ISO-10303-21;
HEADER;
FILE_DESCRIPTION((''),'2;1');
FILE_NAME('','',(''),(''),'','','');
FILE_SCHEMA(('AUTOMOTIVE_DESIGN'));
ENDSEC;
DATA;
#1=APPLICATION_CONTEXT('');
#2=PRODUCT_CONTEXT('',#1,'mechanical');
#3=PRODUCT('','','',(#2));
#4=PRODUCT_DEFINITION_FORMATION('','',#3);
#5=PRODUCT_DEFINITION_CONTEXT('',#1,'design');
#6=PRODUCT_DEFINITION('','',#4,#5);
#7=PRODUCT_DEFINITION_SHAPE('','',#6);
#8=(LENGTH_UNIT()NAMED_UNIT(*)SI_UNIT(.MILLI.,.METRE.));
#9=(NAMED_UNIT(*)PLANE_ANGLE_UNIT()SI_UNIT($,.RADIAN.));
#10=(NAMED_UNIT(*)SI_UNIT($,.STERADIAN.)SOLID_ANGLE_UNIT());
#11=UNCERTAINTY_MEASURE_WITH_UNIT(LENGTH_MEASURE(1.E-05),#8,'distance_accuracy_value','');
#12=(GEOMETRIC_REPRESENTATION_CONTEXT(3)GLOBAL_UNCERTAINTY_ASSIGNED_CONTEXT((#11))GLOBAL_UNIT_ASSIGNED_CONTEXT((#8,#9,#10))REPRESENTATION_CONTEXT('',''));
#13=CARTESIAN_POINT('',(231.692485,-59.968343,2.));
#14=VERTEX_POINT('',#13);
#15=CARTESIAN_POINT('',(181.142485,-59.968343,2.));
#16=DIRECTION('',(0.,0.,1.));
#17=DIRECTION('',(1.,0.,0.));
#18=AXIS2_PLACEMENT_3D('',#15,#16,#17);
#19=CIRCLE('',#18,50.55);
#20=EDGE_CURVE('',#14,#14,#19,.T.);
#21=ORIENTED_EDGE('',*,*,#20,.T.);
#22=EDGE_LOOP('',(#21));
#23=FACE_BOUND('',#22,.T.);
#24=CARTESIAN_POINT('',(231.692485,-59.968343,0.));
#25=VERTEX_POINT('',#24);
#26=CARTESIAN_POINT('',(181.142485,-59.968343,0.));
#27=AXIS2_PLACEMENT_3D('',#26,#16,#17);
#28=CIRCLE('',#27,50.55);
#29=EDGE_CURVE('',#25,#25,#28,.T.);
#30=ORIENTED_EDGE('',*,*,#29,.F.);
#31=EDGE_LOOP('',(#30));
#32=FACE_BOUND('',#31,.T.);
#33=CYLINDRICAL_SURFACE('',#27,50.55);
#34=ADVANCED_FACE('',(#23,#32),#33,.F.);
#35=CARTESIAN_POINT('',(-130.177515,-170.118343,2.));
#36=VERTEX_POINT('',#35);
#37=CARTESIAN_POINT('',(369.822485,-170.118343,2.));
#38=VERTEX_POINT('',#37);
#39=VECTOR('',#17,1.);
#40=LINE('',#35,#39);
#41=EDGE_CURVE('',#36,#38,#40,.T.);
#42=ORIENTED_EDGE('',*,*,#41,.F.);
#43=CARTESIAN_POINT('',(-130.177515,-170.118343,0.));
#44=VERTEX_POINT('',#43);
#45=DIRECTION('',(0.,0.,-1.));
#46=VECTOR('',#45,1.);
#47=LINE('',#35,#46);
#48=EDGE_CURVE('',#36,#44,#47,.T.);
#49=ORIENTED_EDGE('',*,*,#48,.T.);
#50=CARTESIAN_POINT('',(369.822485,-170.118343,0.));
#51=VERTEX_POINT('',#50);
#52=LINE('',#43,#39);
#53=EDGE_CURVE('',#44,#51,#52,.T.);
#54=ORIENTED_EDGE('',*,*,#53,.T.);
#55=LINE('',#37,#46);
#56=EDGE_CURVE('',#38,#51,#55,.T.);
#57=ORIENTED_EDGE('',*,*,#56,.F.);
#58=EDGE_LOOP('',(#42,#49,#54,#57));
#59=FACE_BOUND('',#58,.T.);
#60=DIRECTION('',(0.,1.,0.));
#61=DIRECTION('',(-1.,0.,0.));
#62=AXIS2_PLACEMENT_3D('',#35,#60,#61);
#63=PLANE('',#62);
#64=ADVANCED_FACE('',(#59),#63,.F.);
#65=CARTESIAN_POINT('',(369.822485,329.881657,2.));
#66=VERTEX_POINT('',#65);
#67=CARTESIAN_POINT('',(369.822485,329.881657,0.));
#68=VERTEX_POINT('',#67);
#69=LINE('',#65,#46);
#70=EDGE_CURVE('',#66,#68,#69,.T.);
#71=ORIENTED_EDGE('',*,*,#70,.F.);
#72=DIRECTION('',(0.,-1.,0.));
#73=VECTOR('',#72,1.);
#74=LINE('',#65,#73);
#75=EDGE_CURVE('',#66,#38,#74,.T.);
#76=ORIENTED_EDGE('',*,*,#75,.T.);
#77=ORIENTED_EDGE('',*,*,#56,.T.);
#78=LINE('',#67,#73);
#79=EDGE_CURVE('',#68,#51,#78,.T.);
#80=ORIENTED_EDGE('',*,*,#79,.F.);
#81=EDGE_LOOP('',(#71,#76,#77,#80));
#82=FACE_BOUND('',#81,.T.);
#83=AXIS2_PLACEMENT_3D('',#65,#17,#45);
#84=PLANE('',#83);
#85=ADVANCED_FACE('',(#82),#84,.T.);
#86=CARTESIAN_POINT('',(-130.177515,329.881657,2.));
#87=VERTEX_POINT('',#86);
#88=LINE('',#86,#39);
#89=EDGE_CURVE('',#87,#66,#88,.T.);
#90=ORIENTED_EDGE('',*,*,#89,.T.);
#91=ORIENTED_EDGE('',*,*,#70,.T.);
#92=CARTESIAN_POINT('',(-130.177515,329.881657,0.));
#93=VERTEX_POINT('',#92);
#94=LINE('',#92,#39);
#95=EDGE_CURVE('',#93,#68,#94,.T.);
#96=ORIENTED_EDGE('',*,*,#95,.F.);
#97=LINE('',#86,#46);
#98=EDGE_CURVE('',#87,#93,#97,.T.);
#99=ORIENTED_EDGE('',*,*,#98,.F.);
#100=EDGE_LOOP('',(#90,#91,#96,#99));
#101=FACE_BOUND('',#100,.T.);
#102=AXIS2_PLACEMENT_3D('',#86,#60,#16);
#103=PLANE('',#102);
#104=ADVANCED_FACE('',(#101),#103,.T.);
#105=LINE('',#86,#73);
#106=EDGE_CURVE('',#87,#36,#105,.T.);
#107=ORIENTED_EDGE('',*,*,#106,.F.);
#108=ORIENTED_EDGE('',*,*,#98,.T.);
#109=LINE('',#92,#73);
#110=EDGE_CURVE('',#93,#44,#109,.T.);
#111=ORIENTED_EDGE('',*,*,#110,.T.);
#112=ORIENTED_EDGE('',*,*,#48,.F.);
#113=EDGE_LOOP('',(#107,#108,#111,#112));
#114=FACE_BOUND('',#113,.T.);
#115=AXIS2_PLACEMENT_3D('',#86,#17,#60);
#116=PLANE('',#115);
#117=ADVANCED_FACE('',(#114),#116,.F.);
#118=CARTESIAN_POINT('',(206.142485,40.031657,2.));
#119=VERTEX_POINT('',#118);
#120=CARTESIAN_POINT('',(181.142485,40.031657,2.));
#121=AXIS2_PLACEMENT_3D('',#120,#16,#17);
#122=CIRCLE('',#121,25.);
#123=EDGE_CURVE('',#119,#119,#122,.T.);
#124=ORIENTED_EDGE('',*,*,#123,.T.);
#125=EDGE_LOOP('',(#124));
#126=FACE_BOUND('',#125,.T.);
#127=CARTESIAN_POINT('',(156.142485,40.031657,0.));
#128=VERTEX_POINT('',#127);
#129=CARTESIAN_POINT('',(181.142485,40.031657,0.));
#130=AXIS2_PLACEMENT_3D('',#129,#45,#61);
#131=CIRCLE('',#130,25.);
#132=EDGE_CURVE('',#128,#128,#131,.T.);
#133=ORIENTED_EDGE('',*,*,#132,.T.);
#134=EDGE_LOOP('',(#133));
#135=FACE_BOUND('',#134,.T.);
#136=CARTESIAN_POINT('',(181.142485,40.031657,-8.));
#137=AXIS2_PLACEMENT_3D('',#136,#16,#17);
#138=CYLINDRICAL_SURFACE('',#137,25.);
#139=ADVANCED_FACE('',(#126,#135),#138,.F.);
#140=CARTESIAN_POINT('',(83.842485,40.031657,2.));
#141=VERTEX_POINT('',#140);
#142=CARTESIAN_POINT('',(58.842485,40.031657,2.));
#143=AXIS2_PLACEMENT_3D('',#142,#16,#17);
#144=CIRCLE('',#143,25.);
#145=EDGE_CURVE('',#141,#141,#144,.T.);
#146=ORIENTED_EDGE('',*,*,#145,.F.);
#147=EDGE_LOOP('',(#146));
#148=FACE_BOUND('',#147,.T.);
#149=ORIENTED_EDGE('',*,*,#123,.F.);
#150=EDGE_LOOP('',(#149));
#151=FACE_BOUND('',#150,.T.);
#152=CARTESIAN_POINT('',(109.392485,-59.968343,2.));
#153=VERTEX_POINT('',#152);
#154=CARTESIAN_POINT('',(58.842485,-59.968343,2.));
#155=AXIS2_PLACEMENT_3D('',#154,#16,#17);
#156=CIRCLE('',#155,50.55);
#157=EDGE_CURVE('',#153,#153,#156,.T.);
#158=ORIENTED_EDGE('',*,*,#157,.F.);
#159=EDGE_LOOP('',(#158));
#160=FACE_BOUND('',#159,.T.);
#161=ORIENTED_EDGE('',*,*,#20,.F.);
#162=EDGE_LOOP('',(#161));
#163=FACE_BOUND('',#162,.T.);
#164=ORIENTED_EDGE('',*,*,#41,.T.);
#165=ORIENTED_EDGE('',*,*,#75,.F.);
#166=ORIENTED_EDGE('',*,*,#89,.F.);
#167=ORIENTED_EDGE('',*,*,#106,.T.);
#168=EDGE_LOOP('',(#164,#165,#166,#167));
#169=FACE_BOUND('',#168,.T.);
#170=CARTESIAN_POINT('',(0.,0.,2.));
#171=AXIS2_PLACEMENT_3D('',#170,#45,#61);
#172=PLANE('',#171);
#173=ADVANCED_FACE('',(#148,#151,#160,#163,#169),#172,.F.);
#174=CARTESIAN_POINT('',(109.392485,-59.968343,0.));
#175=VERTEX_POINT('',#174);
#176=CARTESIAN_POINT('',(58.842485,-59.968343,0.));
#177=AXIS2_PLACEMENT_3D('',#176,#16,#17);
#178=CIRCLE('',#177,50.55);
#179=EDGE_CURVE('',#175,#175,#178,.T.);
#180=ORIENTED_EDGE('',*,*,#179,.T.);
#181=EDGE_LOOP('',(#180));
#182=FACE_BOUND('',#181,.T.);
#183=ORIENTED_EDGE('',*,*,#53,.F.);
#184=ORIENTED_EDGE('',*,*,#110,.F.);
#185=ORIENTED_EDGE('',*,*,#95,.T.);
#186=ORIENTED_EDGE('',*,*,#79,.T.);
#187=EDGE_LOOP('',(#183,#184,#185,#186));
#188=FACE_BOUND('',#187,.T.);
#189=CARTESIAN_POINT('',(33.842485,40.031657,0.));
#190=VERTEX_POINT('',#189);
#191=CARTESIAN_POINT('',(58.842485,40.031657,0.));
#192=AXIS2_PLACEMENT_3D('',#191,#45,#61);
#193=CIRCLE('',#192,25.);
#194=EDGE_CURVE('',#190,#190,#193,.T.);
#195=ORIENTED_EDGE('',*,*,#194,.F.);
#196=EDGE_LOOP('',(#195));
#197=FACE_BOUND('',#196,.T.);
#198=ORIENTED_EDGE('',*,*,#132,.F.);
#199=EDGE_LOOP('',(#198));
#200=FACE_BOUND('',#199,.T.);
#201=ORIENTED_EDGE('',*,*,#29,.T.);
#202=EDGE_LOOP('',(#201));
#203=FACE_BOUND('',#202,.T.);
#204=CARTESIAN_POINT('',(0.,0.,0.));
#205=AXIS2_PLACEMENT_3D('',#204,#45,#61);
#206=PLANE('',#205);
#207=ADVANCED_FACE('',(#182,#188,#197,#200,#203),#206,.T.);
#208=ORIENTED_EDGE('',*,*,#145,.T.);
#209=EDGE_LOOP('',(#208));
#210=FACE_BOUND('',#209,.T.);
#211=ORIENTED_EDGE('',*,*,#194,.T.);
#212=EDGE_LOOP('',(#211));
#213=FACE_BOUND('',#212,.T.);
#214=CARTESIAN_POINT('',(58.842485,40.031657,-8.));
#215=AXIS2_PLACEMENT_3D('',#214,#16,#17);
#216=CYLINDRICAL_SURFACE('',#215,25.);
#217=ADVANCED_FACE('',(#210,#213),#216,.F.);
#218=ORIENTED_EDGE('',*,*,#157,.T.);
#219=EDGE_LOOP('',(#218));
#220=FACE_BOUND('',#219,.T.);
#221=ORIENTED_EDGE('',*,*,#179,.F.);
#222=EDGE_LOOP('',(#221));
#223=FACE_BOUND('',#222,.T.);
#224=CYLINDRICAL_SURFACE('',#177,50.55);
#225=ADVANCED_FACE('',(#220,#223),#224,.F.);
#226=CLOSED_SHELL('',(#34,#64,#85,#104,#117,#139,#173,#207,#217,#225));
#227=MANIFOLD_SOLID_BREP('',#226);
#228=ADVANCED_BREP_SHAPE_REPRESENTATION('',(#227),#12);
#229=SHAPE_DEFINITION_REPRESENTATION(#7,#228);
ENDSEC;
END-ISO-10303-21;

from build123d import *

# Parameters (mm, degrees)
SKETCH2_W           = 500
SKETCH2_H           = 500
BOSS_EXTRUDE2_DEPTH = 2
SKETCH5_R           = 50.55
CUT_EXTRUDE1_DEPTH  = 2
SKETCH6_R           = 25
CUT_EXTRUDE2_DEPTH  = 10


with BuildPart() as part:
    # Sketch2 → Boss-Extrude2 (new body)
    with BuildSketch(Plane.XY):
        with Locations((119.822485207, 79.881656805)):
            Rectangle(SKETCH2_W, SKETCH2_H)
    extrude(amount=BOSS_EXTRUDE2_DEPTH)

    # Sketch5 → Cut-Extrude1 (cut)
    with BuildSketch(Plane.XY.offset(2)):
        with Locations((58.842485207, -59.968343195)):
            Circle(SKETCH5_R)
        with Locations((181.142485207, -59.968343195)):
            Circle(SKETCH5_R)
    extrude(amount=-CUT_EXTRUDE1_DEPTH, mode=Mode.SUBTRACT)

    # Sketch6 → Cut-Extrude2 (cut)
    with BuildSketch(Plane.XY.offset(2)):
        with Locations((181.142485207, 40.031656805)):
            Circle(SKETCH6_R)
        with Locations((58.842485207, 40.031656805)):
            Circle(SKETCH6_R)
    extrude(amount=-CUT_EXTRUDE2_DEPTH, mode=Mode.SUBTRACT)


solid = part.part
